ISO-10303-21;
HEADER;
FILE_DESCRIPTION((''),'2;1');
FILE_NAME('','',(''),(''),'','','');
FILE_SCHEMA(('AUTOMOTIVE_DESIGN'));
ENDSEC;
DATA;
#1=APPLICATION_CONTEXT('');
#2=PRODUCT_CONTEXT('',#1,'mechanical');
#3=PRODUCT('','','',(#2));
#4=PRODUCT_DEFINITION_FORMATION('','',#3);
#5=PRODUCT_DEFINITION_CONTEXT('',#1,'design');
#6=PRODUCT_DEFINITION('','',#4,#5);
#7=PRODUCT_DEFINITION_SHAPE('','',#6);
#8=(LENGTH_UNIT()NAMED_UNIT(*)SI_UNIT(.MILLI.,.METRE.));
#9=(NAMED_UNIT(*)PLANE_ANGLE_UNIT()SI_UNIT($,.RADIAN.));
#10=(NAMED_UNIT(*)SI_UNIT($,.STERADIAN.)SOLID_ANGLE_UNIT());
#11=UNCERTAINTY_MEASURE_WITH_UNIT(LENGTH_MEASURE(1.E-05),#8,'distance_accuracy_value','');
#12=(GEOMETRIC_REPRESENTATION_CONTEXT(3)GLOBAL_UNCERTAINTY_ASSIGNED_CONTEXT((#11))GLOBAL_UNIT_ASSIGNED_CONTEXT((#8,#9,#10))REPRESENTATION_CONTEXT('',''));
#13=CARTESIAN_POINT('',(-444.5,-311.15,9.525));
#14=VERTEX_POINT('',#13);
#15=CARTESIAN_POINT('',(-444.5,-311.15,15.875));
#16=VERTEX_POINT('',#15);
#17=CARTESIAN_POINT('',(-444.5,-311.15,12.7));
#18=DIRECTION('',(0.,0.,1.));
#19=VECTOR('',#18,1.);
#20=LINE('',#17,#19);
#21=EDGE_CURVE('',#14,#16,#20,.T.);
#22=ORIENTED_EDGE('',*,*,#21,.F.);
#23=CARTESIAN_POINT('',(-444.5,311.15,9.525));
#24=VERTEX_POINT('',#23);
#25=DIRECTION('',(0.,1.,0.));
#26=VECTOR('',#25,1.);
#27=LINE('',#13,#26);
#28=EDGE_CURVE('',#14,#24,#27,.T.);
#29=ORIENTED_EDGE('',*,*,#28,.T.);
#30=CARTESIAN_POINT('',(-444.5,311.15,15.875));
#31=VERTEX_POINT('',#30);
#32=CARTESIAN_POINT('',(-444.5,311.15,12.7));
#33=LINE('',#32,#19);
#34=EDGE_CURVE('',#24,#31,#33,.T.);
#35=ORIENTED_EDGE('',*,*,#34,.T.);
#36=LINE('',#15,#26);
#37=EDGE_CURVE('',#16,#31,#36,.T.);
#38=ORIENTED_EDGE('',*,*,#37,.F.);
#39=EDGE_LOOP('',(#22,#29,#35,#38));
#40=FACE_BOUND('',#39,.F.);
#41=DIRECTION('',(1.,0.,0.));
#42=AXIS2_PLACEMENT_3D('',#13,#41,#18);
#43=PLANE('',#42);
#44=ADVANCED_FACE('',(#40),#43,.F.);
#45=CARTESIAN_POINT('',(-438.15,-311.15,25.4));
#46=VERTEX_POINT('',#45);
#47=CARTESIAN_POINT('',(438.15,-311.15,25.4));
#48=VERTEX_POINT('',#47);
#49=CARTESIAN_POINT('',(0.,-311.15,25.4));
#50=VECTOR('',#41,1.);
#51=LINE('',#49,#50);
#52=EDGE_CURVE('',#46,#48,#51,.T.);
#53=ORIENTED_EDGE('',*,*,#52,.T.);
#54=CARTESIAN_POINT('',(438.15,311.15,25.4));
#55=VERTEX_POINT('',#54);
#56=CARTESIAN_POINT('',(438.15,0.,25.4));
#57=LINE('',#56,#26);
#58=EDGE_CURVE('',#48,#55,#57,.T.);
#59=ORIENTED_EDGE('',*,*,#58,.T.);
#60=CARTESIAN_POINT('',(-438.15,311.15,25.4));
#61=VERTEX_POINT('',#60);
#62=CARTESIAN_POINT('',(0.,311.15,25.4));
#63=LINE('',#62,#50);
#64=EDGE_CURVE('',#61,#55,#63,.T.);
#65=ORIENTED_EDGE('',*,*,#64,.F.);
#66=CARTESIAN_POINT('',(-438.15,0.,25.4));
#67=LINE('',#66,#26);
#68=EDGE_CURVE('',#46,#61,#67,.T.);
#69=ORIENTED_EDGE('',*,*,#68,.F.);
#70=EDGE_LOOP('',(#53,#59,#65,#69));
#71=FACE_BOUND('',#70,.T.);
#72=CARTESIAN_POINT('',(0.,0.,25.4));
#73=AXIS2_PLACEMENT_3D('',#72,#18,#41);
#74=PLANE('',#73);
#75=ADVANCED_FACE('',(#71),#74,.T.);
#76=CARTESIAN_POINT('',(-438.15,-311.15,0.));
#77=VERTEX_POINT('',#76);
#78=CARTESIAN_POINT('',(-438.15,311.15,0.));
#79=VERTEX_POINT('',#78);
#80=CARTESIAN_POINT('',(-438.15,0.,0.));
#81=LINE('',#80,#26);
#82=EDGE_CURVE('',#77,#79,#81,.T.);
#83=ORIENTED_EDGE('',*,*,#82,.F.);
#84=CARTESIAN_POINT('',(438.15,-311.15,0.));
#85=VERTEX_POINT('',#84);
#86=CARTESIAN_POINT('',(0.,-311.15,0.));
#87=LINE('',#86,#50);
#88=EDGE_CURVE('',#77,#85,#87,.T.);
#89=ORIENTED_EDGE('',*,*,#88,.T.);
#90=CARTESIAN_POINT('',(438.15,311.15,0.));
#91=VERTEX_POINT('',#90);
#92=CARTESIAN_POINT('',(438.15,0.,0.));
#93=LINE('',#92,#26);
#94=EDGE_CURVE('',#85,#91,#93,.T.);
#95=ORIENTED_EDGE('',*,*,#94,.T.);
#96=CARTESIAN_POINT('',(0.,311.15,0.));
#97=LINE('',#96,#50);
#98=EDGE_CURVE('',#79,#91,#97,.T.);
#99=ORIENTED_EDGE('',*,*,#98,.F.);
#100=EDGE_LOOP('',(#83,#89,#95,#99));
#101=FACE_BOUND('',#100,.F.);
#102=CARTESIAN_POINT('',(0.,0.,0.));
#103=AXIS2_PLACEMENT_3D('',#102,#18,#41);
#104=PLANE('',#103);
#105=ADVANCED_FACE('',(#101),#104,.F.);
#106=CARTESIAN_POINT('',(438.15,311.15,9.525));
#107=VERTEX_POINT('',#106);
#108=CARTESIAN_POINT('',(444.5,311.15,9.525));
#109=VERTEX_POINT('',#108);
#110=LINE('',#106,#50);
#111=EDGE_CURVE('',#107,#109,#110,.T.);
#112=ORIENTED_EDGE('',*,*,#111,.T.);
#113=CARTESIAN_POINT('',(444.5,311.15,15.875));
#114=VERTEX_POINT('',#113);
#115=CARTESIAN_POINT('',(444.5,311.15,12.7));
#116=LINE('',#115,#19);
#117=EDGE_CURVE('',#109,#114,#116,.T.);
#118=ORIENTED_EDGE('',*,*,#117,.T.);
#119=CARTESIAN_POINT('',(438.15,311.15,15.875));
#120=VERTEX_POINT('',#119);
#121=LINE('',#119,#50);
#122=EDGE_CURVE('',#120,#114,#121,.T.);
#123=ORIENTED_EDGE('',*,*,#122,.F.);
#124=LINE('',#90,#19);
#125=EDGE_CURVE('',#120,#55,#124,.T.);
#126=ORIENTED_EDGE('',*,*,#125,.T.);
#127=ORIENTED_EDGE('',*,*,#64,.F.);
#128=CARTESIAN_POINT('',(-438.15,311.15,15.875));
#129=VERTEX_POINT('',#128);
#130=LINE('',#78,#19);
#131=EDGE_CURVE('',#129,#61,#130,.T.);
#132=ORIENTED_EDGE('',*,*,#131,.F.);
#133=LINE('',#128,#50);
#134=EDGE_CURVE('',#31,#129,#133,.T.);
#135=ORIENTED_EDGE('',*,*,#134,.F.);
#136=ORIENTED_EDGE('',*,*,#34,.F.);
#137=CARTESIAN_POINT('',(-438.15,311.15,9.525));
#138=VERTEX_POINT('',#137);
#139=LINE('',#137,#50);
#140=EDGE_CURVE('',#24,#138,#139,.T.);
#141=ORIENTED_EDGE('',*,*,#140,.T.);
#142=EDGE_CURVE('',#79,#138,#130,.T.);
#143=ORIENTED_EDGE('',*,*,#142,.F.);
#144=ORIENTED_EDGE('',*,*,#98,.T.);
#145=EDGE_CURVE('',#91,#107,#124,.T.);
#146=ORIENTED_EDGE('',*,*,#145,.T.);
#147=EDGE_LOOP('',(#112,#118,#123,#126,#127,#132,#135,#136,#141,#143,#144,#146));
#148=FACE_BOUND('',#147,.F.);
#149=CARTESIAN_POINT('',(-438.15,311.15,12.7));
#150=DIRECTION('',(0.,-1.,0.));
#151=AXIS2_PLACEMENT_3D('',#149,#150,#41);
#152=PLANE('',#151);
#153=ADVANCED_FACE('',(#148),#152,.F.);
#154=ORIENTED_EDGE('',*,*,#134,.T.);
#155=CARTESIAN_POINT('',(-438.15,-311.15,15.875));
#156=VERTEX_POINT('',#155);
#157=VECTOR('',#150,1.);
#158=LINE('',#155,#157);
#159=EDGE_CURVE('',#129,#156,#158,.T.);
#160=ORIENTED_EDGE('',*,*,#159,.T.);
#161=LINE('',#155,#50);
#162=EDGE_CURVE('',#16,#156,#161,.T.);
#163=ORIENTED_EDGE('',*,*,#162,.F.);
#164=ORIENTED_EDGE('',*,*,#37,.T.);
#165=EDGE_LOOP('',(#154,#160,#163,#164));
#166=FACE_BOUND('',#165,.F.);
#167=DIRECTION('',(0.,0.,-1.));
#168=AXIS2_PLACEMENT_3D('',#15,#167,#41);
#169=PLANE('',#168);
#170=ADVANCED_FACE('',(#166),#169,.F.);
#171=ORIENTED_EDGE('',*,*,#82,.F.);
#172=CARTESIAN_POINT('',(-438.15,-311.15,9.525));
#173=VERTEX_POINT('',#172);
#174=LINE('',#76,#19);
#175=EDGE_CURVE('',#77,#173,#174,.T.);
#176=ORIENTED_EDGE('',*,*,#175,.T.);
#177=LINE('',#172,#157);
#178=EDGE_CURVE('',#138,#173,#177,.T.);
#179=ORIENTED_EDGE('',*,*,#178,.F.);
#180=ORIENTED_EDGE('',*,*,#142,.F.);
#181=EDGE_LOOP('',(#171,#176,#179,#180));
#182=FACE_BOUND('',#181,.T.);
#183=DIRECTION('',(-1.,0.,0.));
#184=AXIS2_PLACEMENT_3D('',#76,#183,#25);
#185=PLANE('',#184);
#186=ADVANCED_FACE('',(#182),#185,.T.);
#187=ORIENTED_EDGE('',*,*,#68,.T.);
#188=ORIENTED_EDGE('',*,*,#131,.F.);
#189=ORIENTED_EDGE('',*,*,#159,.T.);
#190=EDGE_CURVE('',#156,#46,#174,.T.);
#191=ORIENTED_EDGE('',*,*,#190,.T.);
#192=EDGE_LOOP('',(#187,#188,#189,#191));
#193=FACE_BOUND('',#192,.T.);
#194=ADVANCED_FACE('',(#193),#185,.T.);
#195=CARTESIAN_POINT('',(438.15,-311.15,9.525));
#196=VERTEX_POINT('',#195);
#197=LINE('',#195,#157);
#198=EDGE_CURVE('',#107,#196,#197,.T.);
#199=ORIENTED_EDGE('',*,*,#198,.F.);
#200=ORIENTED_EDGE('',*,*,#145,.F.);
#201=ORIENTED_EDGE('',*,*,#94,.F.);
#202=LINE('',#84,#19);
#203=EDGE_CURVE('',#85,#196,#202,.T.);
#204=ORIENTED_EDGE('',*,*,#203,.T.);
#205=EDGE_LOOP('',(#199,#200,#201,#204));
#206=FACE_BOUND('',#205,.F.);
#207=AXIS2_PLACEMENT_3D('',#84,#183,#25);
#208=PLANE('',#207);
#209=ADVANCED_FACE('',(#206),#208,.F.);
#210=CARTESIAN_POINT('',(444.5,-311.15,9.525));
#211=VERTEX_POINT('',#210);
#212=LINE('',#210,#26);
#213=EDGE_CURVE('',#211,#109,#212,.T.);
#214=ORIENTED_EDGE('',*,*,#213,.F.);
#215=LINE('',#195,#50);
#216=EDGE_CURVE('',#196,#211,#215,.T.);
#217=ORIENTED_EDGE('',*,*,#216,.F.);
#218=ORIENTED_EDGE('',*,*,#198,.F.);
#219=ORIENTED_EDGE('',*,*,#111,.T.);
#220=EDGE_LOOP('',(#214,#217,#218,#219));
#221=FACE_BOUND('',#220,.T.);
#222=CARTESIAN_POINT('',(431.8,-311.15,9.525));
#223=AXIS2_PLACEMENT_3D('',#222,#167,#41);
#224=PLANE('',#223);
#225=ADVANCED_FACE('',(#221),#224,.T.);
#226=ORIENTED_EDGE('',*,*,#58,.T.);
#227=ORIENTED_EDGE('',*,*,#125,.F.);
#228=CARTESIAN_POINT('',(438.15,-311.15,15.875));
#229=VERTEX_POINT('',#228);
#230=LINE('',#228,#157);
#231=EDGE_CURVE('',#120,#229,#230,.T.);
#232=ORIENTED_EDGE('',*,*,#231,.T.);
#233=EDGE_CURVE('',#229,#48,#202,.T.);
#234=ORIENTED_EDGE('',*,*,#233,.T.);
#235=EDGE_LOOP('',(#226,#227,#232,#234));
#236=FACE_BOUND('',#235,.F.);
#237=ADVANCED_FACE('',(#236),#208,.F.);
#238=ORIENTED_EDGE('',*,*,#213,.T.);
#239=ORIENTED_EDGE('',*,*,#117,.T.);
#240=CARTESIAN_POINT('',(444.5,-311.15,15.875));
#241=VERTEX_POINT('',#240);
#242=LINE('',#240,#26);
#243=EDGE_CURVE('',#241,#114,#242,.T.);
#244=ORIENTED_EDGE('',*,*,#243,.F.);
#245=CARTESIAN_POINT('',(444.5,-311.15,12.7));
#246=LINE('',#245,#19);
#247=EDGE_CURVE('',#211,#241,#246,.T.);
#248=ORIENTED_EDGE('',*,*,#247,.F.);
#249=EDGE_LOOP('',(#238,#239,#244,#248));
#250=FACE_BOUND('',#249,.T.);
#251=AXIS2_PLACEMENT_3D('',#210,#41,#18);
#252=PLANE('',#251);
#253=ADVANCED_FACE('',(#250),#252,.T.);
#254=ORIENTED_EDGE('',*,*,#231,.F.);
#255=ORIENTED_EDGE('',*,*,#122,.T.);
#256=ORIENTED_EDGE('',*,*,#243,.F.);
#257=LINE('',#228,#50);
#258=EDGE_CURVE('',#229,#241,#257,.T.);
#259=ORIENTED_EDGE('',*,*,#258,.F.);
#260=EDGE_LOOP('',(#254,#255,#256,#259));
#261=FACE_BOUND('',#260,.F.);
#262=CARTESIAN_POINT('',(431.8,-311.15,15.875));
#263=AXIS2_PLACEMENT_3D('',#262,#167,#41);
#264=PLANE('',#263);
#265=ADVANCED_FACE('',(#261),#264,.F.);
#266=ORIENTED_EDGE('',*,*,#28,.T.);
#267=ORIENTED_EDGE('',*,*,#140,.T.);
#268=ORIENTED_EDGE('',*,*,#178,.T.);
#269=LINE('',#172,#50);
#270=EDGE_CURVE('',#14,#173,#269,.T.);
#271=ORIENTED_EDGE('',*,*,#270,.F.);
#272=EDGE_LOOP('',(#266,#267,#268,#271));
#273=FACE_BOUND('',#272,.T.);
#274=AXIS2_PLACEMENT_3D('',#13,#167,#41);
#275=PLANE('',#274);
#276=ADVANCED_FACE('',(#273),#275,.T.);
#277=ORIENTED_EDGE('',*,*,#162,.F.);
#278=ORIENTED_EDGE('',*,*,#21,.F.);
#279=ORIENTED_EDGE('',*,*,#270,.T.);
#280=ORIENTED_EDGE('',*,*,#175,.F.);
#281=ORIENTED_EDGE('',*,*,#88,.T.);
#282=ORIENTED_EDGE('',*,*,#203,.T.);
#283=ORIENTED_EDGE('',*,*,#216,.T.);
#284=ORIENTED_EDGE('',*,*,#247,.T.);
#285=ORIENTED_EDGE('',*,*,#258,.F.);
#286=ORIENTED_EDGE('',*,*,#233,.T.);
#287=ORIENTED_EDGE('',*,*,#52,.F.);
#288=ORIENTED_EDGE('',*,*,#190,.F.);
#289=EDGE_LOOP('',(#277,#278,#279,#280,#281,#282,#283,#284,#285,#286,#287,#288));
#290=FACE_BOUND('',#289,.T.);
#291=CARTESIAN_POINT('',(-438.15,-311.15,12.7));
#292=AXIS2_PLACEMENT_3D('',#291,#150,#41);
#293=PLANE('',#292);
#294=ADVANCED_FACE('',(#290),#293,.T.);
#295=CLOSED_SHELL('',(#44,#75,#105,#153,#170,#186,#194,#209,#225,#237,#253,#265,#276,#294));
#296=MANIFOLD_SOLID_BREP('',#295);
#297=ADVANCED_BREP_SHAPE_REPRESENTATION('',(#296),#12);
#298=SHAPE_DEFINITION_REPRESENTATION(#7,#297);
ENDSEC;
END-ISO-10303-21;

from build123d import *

# Parameters (mm, degrees)
F0_W     = 876.3
F0_H     = 622.3
F1_DEPTH = 25.4
F2_W     = 12.7
F2_H     = 6.35
F3_DEPTH = 622.3


with BuildPart() as f1:
    # F0 (on Top) → F1 (new body)
    with BuildSketch(Plane.XY):
        Rectangle(F0_W, F0_H)
    extrude(amount=F1_DEPTH)

    # F2 (on face) → F3 (join)
    with BuildSketch(Plane.XZ.offset(311.15)):
        with Locations((-438.15, 12.7)):
            Rectangle(F2_W, F2_H)
        with Locations((438.15, 12.7)):
            Rectangle(F2_W, F2_H)
    extrude(amount=-F3_DEPTH)


solid = f1.part
